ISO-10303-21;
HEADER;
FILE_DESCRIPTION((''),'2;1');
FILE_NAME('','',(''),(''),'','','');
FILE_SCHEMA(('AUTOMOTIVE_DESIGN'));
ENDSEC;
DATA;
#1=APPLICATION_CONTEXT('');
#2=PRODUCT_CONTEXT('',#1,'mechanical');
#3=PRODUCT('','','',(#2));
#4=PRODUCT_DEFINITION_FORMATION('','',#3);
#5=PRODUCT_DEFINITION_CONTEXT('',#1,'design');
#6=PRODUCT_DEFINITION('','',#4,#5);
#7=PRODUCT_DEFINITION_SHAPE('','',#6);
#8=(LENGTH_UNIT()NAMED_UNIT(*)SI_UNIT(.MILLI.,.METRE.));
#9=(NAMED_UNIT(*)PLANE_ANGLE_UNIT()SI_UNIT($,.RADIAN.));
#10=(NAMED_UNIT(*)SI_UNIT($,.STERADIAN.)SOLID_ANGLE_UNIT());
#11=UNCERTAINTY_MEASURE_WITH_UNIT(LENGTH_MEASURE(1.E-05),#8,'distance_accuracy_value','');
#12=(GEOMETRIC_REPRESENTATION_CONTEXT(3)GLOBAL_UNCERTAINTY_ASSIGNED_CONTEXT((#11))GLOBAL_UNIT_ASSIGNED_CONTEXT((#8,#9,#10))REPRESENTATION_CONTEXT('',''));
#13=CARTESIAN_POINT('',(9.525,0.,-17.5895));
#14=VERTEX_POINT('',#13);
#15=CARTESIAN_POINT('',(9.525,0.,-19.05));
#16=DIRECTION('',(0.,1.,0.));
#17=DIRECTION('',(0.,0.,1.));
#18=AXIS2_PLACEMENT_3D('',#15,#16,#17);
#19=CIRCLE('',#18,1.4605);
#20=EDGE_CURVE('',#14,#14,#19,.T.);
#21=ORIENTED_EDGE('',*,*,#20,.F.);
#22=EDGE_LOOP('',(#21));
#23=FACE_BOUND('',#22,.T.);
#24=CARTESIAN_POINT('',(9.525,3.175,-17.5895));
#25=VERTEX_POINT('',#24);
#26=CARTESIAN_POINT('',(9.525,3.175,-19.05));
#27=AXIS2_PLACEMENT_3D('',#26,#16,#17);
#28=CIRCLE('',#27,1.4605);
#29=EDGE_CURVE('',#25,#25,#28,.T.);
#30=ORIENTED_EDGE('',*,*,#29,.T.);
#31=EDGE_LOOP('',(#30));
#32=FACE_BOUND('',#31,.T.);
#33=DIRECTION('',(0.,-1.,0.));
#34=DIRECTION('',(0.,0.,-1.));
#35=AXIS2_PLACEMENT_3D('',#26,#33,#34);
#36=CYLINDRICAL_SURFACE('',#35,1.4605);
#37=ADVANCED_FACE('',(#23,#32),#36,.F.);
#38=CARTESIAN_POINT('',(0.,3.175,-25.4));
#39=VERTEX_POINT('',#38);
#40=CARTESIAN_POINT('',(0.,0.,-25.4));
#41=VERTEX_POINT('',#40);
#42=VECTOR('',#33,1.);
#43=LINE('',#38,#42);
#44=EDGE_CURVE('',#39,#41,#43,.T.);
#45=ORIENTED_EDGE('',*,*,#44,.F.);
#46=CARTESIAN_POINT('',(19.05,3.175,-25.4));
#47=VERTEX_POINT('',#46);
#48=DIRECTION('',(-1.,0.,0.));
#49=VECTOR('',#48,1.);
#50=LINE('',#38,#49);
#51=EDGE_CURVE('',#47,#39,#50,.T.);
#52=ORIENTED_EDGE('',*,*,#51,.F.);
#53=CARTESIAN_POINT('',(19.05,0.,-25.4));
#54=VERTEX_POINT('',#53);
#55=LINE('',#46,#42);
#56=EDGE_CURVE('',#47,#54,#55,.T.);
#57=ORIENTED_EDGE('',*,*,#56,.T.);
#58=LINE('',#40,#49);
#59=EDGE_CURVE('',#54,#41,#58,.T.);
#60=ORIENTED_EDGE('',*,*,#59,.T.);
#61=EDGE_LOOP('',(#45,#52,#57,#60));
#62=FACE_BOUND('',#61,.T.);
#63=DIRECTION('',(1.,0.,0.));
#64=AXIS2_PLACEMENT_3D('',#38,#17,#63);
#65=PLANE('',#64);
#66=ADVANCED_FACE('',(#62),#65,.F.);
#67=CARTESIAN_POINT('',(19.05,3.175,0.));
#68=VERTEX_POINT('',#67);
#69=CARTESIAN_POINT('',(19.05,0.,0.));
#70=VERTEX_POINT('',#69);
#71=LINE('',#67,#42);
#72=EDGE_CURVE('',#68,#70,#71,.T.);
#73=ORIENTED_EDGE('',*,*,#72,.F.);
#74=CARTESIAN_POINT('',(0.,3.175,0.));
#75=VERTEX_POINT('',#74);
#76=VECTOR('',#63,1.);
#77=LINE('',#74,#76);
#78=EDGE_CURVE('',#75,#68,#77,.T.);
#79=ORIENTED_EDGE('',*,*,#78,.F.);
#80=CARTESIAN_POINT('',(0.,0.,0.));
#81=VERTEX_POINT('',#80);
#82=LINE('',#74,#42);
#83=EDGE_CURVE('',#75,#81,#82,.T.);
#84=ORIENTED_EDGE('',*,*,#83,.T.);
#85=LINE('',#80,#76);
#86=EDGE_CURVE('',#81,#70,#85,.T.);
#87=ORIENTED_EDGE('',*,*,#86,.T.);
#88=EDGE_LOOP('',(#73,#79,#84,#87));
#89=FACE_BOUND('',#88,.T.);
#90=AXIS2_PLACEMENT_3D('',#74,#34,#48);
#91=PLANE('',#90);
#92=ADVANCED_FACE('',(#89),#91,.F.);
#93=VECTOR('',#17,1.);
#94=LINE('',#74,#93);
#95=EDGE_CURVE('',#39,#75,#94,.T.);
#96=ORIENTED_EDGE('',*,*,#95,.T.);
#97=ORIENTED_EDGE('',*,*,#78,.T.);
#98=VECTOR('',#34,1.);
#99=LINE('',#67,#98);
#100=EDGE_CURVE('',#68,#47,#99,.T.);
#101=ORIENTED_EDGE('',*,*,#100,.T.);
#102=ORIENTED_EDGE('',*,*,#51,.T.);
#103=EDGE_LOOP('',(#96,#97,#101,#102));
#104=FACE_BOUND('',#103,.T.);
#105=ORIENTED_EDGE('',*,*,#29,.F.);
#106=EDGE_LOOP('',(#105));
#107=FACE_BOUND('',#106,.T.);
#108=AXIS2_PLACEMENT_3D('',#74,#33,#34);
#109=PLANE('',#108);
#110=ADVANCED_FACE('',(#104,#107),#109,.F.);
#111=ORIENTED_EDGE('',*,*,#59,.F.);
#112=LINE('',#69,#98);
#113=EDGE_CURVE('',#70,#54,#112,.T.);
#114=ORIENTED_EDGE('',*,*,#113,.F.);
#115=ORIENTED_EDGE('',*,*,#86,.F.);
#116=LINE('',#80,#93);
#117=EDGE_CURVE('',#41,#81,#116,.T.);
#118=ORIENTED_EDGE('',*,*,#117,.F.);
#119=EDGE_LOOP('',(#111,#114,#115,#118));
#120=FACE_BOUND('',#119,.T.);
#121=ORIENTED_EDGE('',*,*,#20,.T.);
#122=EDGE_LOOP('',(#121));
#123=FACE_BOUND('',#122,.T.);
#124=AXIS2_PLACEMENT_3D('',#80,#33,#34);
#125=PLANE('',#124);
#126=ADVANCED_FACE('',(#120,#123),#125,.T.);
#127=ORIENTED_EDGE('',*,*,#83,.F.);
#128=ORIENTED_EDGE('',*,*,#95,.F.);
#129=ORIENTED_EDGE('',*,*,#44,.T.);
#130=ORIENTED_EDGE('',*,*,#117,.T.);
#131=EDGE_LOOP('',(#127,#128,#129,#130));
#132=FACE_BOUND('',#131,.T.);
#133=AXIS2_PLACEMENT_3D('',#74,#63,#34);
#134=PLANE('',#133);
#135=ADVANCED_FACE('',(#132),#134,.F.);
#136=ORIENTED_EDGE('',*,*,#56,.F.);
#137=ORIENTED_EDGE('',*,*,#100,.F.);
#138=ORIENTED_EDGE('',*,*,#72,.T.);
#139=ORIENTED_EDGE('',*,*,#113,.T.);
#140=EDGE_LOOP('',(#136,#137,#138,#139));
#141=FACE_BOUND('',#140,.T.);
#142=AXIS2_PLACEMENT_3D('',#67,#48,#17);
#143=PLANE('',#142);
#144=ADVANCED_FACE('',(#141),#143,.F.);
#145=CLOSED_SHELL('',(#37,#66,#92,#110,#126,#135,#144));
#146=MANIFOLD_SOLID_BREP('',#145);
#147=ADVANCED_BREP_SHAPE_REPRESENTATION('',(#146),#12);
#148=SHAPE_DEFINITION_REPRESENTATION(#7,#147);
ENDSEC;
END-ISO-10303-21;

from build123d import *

# Parameters (mm, degrees)
SKETCH1_W           = 19.05
SKETCH1_H           = 25.4
SKETCH1_R           = 1.4605
BOSS_EXTRUDE1_DEPTH = 3.175


with BuildPart() as part:
    # Sketch1 → Boss-Extrude1 (new body)
    with BuildSketch(Plane(origin=(0, 0, 0), x_dir=(1, 0, 0), z_dir=(0, 1, 0))):
        with Locations((9.525, 12.7)):
            Rectangle(SKETCH1_W, SKETCH1_H)
        with Locations(Location((9.525, 19.05, 0), (0, 0, 270))):
            Circle(SKETCH1_R, mode=Mode.SUBTRACT)
    extrude(amount=BOSS_EXTRUDE1_DEPTH)


solid = part.part
